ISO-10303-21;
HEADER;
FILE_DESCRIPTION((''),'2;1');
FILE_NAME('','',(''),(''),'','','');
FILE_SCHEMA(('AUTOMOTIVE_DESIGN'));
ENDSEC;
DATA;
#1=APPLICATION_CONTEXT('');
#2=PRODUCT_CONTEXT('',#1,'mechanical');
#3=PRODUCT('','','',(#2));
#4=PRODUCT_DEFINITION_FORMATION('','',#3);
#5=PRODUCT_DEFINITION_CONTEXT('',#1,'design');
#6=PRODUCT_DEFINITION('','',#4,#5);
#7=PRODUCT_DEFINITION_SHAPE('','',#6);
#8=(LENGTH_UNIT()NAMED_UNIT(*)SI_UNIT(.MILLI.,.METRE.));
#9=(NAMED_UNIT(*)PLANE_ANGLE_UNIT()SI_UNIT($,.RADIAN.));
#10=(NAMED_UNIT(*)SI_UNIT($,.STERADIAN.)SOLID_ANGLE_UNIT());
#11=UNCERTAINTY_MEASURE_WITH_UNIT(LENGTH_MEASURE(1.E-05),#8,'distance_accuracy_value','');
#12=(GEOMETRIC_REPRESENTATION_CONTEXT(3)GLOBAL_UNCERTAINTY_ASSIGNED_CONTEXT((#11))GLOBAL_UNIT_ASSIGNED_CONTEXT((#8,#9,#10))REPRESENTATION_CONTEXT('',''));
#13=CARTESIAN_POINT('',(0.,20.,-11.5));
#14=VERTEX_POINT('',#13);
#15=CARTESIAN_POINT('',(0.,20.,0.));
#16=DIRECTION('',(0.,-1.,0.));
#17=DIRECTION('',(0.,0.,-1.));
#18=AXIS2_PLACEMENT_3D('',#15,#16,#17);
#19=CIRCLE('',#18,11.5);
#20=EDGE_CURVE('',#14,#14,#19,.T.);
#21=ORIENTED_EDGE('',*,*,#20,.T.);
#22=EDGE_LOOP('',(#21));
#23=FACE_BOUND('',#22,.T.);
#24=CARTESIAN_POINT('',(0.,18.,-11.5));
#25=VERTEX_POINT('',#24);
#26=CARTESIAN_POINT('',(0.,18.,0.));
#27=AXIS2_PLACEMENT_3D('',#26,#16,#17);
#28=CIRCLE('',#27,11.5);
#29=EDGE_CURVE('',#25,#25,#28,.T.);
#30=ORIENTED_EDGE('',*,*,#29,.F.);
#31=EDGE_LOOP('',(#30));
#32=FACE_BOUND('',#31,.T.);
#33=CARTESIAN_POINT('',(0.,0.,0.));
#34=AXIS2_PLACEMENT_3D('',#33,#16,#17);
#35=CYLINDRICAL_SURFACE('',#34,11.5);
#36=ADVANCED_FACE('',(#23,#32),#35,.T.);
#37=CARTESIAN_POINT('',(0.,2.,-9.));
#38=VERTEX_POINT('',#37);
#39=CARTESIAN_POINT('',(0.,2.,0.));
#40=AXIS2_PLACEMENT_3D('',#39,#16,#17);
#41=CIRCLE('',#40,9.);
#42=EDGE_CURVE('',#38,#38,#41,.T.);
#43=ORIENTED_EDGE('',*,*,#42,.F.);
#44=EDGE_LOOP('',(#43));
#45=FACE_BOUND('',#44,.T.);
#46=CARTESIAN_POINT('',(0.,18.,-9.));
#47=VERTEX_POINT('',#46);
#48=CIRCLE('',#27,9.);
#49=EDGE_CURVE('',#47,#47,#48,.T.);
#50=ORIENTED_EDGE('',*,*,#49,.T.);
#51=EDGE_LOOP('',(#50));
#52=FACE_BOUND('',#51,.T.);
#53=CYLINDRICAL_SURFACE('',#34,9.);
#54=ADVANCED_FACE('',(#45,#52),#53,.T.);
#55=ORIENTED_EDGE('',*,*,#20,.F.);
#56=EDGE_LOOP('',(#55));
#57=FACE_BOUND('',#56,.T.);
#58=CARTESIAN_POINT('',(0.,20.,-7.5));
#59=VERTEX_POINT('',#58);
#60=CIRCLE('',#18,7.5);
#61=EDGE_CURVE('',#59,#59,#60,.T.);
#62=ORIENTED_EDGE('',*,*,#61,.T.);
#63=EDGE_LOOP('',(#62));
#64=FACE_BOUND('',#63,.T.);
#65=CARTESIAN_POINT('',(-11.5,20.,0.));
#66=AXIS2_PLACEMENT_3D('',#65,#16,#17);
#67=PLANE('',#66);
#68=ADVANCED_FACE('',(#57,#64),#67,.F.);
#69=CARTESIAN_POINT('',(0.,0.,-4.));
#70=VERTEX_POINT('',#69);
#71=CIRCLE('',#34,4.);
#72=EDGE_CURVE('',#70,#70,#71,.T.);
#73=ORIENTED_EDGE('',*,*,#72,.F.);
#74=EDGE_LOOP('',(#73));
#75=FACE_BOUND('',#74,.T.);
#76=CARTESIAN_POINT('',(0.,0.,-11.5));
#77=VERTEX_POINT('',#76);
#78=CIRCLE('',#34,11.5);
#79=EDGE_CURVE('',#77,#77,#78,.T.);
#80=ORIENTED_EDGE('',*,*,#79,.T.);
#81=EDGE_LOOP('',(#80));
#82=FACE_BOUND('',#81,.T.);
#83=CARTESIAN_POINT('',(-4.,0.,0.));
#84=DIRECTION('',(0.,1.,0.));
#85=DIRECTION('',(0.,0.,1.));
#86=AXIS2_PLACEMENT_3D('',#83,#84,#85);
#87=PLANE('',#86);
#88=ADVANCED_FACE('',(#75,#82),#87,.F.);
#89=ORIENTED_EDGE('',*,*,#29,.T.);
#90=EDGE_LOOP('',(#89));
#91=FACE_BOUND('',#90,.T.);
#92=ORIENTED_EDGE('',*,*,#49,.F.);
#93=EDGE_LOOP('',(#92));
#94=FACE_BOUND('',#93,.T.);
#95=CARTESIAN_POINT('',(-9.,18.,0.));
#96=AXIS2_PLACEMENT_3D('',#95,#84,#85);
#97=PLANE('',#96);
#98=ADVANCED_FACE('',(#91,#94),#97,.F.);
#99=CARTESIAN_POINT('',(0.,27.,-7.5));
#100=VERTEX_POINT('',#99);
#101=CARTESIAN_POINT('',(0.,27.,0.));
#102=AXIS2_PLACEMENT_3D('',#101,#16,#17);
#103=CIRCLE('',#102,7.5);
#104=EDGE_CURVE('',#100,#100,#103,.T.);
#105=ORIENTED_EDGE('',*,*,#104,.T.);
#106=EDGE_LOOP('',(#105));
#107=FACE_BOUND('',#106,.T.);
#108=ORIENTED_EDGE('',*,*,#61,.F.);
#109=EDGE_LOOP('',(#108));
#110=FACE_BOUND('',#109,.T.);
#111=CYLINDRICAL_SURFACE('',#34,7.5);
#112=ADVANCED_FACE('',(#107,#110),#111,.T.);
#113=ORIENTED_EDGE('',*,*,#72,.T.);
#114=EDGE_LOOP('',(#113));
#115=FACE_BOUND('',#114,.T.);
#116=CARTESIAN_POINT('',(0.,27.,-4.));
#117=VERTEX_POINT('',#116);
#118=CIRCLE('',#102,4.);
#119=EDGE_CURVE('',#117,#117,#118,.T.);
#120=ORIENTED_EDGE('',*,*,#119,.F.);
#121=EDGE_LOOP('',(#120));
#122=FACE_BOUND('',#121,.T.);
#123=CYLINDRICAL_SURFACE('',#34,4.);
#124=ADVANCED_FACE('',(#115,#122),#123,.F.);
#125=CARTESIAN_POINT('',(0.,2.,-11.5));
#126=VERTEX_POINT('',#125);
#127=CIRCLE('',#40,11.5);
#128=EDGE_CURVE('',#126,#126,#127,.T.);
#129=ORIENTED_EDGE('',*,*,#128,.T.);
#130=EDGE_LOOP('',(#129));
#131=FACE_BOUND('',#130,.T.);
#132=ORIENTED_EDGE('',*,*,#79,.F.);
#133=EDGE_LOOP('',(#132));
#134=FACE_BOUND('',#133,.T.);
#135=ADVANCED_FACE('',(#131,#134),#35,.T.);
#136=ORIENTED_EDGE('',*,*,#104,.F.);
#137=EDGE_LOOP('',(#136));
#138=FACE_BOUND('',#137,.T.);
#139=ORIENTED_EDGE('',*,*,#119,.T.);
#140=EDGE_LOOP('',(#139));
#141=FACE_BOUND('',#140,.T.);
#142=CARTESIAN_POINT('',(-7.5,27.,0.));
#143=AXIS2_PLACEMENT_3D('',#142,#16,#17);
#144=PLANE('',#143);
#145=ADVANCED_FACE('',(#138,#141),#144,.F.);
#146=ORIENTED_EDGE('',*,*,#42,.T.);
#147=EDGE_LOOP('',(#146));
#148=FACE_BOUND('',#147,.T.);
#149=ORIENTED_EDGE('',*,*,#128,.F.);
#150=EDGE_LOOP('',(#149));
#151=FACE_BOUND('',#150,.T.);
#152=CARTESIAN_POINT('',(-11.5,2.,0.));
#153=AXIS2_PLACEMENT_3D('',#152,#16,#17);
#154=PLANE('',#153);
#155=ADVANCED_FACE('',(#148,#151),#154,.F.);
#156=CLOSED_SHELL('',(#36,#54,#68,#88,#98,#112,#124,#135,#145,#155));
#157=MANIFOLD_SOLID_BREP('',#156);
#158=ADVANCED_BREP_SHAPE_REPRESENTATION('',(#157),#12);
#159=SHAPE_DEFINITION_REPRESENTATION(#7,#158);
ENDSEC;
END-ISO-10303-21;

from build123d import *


with BuildPart() as part:
    # Croquis1 → Revolución1 (revolve)
    with BuildSketch(Plane.XY, mode=Mode.PRIVATE) as revoluci_n1_sk:
        Polygon((-4, 0), (-11.5, 0), (-11.5, 2), (-9, 2), (-9, 18), (-11.5, 18), (-11.5, 20), (-7.5, 20), (-7.5, 27), (-4, 27), align=None)
    revolve(revoluci_n1_sk.sketch.rotate(Axis((0, 0, 0), (0, 1, 0)), 270), axis=Axis((0, 0, 0), (0, 1, 0)))


solid = part.part
